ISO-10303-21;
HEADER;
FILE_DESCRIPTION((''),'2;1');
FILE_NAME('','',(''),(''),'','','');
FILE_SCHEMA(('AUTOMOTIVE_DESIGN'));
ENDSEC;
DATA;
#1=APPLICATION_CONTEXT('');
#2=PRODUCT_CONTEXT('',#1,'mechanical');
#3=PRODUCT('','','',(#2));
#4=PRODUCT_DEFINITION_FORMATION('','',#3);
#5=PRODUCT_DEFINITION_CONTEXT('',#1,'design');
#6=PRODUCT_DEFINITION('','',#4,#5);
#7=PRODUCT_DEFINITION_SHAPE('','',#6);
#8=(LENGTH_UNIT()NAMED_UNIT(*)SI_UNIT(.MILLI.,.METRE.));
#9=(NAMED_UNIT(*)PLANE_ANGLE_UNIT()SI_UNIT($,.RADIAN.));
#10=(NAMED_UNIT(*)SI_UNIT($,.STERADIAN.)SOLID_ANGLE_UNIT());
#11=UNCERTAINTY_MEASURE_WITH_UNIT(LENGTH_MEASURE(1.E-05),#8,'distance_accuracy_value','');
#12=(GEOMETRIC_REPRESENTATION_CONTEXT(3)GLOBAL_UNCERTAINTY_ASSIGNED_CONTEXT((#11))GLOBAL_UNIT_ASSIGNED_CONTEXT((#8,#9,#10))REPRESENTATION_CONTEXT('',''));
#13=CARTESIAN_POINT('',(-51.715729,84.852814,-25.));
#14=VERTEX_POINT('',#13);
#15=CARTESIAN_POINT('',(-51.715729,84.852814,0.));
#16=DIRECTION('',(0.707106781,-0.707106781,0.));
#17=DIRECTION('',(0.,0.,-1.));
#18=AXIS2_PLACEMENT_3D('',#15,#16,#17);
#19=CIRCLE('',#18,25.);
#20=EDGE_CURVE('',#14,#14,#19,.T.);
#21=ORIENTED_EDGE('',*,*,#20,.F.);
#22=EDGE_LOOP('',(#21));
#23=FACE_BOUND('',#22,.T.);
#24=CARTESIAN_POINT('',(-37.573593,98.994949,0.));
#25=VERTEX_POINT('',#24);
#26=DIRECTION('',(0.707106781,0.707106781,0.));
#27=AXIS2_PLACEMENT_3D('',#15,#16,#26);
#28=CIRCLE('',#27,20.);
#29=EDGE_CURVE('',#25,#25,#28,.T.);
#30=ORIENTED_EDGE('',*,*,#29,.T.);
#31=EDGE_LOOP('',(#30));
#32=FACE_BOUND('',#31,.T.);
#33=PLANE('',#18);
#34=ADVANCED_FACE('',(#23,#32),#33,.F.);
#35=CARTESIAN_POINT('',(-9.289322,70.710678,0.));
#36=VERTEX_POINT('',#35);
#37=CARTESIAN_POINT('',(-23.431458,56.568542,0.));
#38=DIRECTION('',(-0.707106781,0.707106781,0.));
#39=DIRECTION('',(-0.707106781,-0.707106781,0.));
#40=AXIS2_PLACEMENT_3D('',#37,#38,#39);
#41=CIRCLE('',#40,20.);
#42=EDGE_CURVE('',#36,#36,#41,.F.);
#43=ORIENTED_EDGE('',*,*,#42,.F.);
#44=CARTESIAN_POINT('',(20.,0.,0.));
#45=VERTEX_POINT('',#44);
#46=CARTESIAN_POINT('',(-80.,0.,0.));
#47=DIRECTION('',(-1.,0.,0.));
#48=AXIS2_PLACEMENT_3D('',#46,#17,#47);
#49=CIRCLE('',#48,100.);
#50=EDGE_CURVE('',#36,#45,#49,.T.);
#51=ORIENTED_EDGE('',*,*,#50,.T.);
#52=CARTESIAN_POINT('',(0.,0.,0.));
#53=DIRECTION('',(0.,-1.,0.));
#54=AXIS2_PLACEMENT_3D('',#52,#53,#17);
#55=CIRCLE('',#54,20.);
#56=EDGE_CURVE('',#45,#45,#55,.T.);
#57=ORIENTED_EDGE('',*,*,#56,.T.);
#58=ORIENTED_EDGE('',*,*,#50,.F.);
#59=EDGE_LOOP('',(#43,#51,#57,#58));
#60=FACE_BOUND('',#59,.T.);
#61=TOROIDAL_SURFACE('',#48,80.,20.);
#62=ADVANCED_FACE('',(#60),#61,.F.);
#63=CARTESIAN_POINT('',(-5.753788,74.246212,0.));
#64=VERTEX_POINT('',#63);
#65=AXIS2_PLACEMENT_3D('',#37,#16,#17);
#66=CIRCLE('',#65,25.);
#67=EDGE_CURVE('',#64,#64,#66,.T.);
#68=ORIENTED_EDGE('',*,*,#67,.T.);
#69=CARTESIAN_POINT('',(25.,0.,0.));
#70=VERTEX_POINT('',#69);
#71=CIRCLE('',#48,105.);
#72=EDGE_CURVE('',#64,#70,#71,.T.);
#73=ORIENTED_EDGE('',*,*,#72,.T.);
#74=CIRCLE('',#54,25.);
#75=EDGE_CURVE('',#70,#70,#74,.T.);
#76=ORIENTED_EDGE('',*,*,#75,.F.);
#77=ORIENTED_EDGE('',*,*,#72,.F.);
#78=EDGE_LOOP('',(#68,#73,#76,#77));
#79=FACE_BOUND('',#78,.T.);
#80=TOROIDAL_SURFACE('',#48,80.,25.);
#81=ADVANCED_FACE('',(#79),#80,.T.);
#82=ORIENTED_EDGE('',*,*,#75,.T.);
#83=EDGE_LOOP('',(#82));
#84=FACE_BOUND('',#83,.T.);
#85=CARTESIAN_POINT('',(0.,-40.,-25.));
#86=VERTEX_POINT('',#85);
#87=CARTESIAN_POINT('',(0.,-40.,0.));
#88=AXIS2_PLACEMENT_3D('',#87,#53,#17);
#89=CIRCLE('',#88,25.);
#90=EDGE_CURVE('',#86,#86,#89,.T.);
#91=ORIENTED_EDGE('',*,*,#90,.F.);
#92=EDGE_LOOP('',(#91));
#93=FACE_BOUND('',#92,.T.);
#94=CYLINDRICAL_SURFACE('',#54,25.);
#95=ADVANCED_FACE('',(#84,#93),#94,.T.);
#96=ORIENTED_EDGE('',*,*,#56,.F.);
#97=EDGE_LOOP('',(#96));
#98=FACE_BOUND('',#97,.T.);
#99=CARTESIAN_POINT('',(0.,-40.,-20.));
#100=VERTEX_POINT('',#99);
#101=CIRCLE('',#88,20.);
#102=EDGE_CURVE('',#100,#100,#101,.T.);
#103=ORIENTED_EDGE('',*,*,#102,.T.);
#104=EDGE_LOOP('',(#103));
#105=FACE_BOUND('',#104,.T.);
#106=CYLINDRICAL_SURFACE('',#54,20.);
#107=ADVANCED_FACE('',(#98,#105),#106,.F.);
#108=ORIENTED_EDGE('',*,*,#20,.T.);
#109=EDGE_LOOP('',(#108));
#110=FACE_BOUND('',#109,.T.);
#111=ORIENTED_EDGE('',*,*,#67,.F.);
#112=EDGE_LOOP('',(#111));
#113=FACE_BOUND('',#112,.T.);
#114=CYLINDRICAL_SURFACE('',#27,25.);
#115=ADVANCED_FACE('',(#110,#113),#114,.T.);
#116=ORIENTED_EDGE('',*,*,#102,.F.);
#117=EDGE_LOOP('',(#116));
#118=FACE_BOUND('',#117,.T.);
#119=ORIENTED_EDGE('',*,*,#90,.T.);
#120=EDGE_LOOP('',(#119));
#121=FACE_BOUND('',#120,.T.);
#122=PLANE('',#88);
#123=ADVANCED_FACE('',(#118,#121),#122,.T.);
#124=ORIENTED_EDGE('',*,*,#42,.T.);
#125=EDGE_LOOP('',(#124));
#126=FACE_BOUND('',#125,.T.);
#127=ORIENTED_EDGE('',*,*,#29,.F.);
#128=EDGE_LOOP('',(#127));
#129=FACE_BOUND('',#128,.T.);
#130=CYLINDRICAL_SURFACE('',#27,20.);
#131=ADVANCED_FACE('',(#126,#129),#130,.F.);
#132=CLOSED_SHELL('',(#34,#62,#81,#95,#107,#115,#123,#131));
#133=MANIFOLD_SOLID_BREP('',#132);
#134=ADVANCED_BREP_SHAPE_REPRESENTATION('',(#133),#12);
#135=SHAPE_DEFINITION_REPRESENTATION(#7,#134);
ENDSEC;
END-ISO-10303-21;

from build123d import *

# Parameters (mm, degrees)
SKETCH2_R = 25
SHELL1_T  = -5


with BuildPart() as part:
    # Sweep1: sweep along a path in Sketch1
    with BuildLine(Plane.XY) as sweep1_path:
        Line((-51.715728753, 84.852813742), (-23.431457505, 56.568542495))
        ThreePointArc((-23.431457505, 56.568542495), (-6.089637399, 30.614674589), (0, 0))
        Line((0, 0), (0, -40))
    # Sketch2 → Sweep1 (sweep)
    with BuildSketch(Plane(origin=(0, -40, 0), x_dir=(-1, 0, 0), z_dir=(0, -1, 0))):
        Circle(SKETCH2_R)
    sweep(path=sweep1_path.line)

    # Shell1
    shell1_openings = [part.faces().sort_by_distance(p)[0] for p in [
        (0, -40, 0),
        (-51.715728753, 84.852813742, 0),
    ]]
    offset(amount=SHELL1_T, openings=shell1_openings, kind=Kind.INTERSECTION)


solid = part.part
